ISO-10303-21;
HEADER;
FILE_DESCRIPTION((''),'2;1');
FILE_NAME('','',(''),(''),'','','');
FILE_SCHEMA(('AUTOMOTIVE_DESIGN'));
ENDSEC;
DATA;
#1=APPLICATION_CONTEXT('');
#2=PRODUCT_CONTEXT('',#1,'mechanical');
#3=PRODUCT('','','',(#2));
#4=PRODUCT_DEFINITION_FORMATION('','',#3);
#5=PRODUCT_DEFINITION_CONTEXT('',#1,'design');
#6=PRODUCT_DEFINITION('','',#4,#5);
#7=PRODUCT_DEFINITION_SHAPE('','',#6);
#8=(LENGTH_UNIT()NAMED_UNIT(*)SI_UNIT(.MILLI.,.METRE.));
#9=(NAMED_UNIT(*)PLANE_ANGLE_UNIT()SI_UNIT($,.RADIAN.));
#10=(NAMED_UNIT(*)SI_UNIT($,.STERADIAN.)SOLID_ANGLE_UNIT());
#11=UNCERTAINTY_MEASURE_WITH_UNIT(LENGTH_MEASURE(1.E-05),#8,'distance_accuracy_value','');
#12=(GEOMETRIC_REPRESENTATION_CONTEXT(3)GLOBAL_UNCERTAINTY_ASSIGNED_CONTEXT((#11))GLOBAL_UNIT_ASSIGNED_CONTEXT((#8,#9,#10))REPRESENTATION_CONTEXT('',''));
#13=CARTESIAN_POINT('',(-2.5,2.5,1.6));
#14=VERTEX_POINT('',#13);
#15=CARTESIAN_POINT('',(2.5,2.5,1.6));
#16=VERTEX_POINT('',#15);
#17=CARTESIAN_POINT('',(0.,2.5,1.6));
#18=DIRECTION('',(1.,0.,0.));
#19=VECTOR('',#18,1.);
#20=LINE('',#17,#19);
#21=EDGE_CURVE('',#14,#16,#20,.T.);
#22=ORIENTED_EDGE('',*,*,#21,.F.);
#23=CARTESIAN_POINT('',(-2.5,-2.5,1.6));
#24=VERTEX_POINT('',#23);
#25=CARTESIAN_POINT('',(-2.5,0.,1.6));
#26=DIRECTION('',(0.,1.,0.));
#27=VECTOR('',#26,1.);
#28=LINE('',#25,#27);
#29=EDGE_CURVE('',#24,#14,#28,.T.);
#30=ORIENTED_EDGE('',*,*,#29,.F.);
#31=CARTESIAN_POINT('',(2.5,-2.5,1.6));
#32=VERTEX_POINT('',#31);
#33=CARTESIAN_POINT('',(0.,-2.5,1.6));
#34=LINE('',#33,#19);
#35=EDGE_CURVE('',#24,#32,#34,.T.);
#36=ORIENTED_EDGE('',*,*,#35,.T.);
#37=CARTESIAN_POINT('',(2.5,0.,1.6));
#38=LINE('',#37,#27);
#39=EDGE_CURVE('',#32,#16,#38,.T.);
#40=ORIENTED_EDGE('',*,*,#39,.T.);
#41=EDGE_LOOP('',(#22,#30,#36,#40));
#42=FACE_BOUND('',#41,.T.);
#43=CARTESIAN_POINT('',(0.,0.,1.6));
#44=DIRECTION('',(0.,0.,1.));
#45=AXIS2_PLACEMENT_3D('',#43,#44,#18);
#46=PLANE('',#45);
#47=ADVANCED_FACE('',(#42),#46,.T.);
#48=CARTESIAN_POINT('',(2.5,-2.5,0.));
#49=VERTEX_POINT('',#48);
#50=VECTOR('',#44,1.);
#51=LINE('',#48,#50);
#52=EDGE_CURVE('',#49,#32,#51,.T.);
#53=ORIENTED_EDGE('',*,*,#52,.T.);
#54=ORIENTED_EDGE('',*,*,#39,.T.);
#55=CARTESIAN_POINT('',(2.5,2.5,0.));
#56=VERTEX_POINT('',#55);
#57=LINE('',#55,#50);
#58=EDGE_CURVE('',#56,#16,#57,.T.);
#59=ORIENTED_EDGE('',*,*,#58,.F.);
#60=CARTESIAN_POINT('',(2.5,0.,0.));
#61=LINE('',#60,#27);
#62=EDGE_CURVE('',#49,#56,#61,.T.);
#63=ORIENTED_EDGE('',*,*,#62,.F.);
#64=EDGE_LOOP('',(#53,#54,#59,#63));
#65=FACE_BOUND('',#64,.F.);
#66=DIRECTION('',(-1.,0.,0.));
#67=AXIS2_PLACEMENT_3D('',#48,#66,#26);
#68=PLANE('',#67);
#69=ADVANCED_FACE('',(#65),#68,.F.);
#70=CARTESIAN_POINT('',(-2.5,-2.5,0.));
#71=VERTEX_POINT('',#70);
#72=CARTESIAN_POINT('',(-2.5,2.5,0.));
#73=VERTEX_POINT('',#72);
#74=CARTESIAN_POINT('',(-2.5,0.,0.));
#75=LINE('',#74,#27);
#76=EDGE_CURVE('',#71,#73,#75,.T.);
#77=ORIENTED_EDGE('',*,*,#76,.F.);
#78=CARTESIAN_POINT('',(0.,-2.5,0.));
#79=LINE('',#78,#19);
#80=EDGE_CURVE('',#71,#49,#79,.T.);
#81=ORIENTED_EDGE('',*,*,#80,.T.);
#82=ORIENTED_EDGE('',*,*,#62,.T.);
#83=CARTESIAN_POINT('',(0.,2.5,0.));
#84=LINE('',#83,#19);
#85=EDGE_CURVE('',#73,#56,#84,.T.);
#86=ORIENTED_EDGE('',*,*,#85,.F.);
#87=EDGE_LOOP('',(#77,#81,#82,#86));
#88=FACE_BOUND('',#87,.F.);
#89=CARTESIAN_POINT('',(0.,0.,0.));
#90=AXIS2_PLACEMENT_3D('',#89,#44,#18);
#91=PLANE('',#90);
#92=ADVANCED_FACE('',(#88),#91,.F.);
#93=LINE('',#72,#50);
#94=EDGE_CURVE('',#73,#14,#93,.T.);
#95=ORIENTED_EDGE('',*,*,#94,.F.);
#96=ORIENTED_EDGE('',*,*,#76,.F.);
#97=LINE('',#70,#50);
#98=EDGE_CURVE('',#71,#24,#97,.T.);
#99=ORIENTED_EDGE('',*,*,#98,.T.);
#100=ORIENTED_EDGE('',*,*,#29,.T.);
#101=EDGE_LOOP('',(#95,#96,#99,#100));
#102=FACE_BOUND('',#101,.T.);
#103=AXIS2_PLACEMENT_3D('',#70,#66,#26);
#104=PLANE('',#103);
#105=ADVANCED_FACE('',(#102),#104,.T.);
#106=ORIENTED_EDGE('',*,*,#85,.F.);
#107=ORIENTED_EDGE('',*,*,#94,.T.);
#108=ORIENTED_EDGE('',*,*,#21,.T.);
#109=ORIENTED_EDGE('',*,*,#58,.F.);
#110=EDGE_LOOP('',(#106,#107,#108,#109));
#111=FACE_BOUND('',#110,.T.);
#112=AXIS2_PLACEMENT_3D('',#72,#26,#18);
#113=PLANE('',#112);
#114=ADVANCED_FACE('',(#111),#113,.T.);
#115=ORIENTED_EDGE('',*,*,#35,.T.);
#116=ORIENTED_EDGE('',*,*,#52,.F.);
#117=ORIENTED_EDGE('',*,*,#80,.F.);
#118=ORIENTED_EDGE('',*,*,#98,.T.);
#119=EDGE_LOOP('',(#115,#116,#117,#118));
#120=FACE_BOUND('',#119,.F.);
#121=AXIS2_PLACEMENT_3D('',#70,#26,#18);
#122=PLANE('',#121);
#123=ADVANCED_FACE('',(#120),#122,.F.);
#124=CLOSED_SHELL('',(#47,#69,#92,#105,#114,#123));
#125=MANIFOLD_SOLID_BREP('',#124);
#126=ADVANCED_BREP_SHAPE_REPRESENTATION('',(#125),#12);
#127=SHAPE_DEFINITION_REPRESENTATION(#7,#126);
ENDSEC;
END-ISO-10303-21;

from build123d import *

# Parameters (mm, degrees)
SKETCH_W  = 5
SKETCH_H  = 5
PAD_DEPTH = 1.6


with BuildPart() as part:
    # Sketch → Pad (new body)
    with BuildSketch(Plane.XY):
        Rectangle(SKETCH_W, SKETCH_H)
    extrude(amount=PAD_DEPTH)


solid = part.part
